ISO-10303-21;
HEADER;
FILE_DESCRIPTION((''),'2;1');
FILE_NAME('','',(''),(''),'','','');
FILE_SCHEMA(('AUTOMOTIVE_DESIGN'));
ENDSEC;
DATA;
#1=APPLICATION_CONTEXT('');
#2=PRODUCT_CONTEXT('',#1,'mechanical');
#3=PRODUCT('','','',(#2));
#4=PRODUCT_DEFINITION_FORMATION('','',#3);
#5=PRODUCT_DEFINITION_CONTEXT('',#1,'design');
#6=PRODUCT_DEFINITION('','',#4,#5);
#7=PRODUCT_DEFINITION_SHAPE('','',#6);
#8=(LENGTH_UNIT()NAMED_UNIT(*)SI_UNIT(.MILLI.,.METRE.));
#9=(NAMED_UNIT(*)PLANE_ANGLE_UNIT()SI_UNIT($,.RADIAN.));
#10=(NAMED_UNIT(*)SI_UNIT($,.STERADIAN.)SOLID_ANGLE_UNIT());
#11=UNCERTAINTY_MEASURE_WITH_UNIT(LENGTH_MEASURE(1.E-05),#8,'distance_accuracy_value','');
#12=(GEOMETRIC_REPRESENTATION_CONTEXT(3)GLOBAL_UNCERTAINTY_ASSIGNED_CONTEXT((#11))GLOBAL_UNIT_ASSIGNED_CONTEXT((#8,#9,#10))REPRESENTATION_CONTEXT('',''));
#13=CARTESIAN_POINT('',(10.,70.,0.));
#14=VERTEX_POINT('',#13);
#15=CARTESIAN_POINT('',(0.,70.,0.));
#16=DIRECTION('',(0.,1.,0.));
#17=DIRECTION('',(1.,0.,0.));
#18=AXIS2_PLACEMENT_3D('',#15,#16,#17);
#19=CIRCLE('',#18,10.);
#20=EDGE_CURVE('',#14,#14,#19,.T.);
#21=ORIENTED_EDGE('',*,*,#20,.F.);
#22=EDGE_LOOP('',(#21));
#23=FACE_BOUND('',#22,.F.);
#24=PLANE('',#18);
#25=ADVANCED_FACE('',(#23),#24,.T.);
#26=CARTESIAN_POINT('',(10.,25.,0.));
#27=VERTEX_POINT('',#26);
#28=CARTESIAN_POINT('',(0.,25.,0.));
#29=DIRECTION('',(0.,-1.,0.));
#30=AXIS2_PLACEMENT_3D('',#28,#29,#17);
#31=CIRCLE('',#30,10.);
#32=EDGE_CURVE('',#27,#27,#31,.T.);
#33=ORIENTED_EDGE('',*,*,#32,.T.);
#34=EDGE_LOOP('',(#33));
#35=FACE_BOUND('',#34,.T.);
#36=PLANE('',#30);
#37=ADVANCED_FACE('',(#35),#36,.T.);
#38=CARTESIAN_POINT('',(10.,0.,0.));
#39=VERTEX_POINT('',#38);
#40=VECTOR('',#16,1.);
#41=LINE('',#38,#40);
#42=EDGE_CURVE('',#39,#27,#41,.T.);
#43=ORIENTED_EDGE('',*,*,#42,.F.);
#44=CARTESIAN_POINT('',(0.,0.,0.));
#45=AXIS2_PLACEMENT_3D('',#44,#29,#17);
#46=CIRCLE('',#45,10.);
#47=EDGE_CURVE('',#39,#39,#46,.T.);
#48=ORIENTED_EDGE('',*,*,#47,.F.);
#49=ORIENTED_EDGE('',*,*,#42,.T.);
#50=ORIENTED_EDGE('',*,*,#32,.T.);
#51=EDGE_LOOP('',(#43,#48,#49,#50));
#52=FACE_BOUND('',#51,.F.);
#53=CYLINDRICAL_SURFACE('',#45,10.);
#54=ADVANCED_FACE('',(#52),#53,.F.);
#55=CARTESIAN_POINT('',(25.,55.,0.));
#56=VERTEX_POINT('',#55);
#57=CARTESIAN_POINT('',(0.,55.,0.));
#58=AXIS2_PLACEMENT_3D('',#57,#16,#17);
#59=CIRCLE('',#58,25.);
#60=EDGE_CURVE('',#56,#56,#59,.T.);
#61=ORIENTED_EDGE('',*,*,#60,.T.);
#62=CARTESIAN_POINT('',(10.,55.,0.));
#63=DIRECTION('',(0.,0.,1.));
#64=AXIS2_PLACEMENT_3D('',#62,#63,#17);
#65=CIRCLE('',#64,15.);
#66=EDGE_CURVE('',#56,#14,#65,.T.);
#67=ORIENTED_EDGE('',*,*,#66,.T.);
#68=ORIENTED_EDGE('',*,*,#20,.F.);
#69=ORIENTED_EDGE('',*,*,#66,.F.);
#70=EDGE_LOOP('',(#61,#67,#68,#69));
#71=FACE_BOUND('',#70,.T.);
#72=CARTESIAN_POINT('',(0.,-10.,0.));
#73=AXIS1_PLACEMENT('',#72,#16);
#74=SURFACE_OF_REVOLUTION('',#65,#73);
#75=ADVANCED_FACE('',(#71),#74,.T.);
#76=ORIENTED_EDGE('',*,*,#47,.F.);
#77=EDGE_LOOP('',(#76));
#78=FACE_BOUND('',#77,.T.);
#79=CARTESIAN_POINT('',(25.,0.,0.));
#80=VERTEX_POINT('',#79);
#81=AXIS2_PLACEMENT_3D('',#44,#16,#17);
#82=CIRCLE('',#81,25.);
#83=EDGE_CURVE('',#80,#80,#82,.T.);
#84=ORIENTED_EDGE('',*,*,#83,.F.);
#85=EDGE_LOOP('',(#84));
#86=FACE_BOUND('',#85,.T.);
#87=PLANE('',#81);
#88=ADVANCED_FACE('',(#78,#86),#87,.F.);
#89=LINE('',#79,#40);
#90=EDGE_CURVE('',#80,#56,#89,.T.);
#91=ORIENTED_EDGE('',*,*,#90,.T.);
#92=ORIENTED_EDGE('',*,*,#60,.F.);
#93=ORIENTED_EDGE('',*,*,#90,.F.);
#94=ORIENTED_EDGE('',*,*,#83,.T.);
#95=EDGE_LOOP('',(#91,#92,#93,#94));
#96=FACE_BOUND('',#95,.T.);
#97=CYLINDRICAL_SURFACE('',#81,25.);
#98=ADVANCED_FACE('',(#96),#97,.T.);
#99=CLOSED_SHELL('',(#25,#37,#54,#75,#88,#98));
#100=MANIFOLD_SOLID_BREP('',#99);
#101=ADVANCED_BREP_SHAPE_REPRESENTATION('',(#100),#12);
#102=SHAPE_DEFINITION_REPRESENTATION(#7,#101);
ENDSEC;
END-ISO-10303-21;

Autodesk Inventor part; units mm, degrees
ref_plane "XZ Plane" through (0, 0, 0) normal (0, 1, 0) x (-1, 0, 0)
ref_plane "XY Plane" through (0, 0, 0) normal (0, 0, 1) x (1, 0, 0)
sketch "Sketch1" plane through (0, 0, 0) normal (0, 0, 1) x (1, 0, 0)
  line L0 (0, 0) -> (0, 70)
  line L1 (0, 0) -> (25, 0)
  line L2 (25, 0) -> (25, 55)
  line L3 (0, -14.6213) -> (0, 87.7279) projected
  line L4 (0, 70) -> (10, 70)
  arc A0 (25, 55) -> (10, 70) centre (10, 55) ccw
  dimension "d0" = 70
  dimension "d1" = 25
  dimension "d2" = 10
revolve "Revolution1" add sketch "Sketch1" angle 360 about axis through (0, -10, 0) along (0, 1, 0)
sketch "Sketch2" plane through (0, 0, 0) normal (0, -1, 0) x (1, 0, 0)
  circle A0 centre (0, 0) radius 10
  dimension "d4" = 20
extrude "Extrusion1" cut sketch "Sketch2" against normal blind 25
sketch "Sketch3" plane through (0, 70, 0) normal (0, 1, 0) x (1, 0, 0)
  circle A0 centre (0, 0) radius 10 projected
  line L0 (10, 0) -> (-10, 0) construction
  line L1 (-35, 0) -> (35, 0) construction
ref_plane "Work Plane1" through (10, 70, 0) normal (1, 0, 0) x (0, 1, 0)
ref_plane "Work Plane2" through (-10, 70, 0) normal (1, 0, 0) x (0, 1, 0)
properties part number "Base"
